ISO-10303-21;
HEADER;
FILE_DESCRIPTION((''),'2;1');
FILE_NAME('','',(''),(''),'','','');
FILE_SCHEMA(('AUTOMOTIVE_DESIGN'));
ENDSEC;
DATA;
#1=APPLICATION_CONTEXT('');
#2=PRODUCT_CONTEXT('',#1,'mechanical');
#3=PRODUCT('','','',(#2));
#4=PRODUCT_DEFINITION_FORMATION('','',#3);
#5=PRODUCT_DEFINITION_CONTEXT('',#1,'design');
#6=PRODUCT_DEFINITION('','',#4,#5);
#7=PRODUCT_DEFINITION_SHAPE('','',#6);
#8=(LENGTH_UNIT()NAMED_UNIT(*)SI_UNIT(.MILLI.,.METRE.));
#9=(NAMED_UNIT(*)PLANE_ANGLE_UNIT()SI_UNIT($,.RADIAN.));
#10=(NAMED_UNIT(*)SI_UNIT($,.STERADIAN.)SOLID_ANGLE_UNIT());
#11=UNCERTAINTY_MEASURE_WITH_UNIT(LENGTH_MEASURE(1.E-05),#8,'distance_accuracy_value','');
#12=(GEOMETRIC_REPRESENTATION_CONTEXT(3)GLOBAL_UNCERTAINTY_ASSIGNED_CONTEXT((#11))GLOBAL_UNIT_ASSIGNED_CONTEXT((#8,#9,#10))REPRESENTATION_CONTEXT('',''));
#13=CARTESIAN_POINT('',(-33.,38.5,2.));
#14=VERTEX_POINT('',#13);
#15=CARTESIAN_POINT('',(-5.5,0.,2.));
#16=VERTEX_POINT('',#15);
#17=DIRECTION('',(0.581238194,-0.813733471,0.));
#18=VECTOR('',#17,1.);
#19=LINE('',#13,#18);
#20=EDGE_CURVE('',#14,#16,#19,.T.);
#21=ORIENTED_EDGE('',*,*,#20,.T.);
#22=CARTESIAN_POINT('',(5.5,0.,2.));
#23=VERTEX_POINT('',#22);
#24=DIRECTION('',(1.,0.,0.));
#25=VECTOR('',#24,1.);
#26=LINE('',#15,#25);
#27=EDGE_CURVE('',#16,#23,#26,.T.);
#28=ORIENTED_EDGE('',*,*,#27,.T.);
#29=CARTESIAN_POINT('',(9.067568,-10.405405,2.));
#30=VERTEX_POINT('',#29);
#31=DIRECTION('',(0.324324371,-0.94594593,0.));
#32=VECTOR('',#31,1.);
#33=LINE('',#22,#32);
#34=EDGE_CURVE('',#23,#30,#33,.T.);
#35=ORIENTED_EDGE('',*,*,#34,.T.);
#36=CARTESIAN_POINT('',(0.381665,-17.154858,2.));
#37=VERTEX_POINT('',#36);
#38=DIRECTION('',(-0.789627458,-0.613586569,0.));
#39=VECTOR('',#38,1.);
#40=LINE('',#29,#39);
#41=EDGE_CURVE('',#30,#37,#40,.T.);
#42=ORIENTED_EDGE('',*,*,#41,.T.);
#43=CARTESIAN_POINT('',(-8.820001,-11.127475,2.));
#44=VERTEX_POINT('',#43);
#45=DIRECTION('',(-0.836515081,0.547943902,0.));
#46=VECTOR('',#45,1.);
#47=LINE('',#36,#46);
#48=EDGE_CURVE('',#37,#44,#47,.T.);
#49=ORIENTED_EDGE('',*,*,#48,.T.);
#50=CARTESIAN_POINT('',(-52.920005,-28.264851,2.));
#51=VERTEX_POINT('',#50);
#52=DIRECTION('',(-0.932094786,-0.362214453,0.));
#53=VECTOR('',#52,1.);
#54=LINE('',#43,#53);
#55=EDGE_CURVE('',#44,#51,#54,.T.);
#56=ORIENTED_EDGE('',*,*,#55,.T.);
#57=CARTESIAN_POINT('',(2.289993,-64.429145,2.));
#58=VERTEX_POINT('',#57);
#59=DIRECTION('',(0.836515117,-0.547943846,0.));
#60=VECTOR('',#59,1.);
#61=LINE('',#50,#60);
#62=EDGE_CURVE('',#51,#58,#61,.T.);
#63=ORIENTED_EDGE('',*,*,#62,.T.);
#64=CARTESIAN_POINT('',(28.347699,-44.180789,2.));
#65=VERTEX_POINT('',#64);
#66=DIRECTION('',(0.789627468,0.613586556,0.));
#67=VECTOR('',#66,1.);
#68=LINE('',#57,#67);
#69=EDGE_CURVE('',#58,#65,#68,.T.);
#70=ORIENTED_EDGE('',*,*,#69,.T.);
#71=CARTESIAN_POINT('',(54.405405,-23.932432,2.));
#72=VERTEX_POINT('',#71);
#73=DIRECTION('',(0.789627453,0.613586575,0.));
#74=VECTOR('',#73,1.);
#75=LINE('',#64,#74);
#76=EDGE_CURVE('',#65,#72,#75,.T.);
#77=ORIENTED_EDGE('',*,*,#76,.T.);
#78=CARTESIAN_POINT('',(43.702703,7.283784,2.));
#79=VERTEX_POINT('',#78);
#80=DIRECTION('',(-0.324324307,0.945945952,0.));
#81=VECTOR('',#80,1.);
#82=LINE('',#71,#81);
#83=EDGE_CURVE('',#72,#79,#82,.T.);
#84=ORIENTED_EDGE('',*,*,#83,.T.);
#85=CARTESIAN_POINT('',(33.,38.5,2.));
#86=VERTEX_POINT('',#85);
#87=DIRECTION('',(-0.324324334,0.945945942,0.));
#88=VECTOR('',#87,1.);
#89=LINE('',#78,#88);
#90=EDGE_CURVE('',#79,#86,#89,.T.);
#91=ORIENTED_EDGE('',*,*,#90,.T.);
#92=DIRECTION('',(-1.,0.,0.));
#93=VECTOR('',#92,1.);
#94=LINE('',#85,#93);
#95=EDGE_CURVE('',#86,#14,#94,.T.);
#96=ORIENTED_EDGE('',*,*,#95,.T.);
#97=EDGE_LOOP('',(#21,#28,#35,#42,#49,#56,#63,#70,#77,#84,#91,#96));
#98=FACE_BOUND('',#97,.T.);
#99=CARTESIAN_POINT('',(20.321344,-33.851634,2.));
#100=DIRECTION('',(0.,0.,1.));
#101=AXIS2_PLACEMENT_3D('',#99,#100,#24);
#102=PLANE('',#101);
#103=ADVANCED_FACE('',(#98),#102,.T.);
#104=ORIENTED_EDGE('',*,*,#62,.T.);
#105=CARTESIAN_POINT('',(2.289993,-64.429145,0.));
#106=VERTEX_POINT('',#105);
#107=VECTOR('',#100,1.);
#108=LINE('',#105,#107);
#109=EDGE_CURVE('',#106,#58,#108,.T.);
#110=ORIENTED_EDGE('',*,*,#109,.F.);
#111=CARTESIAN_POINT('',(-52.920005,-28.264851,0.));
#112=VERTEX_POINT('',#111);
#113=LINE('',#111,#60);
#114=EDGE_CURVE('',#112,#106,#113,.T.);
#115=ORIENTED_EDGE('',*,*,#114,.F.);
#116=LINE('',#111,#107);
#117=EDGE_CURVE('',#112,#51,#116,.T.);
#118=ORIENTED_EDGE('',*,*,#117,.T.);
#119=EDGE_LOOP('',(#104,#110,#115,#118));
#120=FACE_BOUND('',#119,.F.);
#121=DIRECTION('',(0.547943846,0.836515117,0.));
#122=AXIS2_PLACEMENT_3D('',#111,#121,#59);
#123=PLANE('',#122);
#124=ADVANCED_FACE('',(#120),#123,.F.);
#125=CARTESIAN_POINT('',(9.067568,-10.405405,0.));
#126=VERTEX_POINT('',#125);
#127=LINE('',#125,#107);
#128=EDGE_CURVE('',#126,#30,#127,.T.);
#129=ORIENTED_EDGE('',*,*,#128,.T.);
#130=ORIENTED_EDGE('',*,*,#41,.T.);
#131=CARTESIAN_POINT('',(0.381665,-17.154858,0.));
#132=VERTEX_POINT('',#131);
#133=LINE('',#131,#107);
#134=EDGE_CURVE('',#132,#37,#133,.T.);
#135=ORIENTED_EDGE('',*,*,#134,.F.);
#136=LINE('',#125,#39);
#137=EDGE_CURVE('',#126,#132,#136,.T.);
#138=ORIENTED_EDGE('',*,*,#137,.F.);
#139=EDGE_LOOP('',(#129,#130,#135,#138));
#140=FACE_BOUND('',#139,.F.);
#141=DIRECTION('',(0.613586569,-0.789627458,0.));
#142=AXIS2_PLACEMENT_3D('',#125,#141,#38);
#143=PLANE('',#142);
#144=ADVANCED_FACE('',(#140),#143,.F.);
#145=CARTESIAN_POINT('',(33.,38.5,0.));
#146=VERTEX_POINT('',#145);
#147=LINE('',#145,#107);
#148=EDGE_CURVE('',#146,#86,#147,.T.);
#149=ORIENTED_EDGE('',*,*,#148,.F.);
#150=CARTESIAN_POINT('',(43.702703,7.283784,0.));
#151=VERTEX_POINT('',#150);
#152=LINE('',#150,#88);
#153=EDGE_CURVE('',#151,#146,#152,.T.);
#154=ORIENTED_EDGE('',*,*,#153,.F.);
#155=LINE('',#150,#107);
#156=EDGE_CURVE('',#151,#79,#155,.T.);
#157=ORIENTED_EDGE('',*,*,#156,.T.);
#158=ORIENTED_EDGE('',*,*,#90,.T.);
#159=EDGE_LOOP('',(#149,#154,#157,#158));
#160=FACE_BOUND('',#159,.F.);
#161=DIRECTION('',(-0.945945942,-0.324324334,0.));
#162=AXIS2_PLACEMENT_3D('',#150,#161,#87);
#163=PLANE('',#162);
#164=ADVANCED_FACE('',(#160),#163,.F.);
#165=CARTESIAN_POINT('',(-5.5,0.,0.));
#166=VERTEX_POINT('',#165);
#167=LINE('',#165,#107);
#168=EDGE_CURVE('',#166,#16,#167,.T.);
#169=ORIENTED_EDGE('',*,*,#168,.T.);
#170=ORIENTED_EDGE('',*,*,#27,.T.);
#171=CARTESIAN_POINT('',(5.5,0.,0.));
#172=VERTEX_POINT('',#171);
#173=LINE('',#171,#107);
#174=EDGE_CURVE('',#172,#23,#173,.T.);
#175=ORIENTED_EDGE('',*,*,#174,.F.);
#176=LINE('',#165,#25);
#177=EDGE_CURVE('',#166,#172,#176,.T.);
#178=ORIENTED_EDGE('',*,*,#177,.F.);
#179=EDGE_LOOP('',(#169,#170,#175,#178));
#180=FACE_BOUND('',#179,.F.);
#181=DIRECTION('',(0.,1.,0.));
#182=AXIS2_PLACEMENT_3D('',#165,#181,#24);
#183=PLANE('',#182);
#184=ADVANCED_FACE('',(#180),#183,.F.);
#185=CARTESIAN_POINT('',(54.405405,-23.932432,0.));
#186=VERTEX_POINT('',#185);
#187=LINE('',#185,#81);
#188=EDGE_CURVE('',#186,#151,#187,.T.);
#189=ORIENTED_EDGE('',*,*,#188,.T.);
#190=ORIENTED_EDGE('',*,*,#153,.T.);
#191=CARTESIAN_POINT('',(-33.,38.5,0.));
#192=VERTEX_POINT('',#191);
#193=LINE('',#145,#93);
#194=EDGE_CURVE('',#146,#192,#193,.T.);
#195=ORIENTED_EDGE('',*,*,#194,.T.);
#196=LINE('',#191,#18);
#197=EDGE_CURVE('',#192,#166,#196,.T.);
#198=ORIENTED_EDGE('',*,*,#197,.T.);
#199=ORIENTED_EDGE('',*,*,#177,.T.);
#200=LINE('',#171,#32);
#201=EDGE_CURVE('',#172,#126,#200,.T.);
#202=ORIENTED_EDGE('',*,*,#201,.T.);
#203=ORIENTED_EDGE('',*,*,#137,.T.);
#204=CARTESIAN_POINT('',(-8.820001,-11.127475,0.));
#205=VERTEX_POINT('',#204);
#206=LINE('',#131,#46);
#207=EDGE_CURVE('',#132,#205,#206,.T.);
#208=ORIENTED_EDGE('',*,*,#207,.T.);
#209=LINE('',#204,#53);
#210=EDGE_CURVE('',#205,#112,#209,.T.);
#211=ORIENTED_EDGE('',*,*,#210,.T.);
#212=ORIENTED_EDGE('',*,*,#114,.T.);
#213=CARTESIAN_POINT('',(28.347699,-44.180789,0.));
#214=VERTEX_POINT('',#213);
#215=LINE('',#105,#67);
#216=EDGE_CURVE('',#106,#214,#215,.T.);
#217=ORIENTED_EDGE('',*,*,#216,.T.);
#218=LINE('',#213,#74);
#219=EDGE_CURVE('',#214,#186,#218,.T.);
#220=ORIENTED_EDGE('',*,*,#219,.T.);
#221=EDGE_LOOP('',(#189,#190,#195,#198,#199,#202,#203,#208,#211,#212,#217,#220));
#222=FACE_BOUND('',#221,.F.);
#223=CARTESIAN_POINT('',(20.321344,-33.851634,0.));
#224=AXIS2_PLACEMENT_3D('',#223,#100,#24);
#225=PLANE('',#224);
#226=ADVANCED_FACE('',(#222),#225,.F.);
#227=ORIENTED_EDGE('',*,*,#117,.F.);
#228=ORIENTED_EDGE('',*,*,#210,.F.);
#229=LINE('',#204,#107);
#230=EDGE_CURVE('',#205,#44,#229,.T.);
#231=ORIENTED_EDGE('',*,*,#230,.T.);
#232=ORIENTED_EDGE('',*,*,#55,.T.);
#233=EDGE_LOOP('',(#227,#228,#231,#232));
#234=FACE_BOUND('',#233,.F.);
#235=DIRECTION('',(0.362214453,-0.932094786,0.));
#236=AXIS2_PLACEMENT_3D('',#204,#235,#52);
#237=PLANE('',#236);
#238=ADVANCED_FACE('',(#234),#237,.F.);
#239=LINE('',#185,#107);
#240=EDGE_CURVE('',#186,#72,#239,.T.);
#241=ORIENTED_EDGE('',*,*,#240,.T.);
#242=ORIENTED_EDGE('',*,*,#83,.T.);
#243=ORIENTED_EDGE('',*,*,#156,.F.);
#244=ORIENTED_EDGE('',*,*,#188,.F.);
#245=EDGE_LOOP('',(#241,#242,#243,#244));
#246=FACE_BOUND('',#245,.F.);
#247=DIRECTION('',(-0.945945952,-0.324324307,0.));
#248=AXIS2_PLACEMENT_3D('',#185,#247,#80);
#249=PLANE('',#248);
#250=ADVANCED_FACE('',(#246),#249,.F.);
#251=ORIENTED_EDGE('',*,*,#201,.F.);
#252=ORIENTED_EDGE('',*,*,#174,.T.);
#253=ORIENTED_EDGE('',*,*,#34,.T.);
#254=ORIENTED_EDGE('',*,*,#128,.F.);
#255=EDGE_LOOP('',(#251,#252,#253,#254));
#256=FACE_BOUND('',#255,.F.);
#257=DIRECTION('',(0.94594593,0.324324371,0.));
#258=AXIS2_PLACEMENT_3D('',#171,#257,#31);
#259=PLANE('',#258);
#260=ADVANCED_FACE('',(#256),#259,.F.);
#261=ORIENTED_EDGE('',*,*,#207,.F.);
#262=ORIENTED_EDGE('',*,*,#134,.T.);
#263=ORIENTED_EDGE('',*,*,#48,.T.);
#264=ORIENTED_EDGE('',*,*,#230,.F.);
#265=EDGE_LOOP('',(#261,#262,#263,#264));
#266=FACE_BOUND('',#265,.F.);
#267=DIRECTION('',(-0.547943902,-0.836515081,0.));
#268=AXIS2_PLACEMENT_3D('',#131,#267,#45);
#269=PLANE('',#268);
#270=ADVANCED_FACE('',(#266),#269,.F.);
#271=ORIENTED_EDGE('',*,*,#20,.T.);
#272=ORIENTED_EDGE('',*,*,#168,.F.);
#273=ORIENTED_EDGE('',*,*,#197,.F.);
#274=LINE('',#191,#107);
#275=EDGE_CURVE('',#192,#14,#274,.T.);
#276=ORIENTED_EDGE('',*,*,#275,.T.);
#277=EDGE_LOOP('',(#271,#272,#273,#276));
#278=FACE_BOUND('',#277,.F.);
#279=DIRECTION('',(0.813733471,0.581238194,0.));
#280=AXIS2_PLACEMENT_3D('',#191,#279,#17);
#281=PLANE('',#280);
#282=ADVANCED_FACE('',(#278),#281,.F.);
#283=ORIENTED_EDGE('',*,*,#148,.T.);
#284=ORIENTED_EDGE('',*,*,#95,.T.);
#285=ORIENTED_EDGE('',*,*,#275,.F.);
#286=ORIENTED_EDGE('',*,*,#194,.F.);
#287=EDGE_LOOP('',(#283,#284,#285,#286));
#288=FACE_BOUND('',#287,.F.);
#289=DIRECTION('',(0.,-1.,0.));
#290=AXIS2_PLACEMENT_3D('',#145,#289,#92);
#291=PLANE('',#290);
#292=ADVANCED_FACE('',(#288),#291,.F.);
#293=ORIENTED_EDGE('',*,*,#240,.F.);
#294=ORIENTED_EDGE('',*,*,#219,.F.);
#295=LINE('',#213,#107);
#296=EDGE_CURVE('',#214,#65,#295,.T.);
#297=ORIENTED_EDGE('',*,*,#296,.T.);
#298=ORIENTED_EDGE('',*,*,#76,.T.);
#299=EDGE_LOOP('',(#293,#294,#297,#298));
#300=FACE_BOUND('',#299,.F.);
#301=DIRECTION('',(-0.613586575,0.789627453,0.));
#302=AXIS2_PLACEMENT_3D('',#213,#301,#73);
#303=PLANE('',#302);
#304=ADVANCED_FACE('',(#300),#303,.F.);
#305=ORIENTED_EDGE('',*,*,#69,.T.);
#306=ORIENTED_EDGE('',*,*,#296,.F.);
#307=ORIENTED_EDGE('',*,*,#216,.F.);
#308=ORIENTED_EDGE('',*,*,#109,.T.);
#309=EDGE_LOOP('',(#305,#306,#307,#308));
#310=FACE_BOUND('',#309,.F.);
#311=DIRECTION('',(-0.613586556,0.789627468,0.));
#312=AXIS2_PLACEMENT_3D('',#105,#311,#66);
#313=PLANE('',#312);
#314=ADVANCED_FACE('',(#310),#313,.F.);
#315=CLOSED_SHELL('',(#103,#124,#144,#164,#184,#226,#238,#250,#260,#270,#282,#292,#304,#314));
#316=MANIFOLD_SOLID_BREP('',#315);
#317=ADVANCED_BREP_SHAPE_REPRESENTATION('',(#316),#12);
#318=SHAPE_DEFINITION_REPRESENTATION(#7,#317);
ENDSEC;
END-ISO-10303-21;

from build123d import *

# Parameters (mm, degrees)
F1_DEPTH = 2


with BuildPart() as f1:
    # F0 (on Top) → F1 (new body)
    with BuildSketch(Plane.XY):
        Polygon((54.405405, -23.932432), (9.067568, -10.405405), (0.381665, -17.154858), (2.289993, -64.429145), (28.347699, -44.180789), align=None)
        Polygon((2.289993, -64.429145), (0.381665, -17.154858), (-8.820001, -11.127475), (-52.920005, -28.264851), (-25.315006, -46.346998), align=None)
        Polygon((33, 38.5), (5.5, 0), (9.067568, -10.405405), (54.405405, -23.932432), (43.702703, 7.283784), align=None)
        Polygon((-33, 38.5), (-5.5, 0), (5.5, 0), (33, 38.5), (0, 38.5), align=None)
    extrude(amount=F1_DEPTH)


solid = f1.part
